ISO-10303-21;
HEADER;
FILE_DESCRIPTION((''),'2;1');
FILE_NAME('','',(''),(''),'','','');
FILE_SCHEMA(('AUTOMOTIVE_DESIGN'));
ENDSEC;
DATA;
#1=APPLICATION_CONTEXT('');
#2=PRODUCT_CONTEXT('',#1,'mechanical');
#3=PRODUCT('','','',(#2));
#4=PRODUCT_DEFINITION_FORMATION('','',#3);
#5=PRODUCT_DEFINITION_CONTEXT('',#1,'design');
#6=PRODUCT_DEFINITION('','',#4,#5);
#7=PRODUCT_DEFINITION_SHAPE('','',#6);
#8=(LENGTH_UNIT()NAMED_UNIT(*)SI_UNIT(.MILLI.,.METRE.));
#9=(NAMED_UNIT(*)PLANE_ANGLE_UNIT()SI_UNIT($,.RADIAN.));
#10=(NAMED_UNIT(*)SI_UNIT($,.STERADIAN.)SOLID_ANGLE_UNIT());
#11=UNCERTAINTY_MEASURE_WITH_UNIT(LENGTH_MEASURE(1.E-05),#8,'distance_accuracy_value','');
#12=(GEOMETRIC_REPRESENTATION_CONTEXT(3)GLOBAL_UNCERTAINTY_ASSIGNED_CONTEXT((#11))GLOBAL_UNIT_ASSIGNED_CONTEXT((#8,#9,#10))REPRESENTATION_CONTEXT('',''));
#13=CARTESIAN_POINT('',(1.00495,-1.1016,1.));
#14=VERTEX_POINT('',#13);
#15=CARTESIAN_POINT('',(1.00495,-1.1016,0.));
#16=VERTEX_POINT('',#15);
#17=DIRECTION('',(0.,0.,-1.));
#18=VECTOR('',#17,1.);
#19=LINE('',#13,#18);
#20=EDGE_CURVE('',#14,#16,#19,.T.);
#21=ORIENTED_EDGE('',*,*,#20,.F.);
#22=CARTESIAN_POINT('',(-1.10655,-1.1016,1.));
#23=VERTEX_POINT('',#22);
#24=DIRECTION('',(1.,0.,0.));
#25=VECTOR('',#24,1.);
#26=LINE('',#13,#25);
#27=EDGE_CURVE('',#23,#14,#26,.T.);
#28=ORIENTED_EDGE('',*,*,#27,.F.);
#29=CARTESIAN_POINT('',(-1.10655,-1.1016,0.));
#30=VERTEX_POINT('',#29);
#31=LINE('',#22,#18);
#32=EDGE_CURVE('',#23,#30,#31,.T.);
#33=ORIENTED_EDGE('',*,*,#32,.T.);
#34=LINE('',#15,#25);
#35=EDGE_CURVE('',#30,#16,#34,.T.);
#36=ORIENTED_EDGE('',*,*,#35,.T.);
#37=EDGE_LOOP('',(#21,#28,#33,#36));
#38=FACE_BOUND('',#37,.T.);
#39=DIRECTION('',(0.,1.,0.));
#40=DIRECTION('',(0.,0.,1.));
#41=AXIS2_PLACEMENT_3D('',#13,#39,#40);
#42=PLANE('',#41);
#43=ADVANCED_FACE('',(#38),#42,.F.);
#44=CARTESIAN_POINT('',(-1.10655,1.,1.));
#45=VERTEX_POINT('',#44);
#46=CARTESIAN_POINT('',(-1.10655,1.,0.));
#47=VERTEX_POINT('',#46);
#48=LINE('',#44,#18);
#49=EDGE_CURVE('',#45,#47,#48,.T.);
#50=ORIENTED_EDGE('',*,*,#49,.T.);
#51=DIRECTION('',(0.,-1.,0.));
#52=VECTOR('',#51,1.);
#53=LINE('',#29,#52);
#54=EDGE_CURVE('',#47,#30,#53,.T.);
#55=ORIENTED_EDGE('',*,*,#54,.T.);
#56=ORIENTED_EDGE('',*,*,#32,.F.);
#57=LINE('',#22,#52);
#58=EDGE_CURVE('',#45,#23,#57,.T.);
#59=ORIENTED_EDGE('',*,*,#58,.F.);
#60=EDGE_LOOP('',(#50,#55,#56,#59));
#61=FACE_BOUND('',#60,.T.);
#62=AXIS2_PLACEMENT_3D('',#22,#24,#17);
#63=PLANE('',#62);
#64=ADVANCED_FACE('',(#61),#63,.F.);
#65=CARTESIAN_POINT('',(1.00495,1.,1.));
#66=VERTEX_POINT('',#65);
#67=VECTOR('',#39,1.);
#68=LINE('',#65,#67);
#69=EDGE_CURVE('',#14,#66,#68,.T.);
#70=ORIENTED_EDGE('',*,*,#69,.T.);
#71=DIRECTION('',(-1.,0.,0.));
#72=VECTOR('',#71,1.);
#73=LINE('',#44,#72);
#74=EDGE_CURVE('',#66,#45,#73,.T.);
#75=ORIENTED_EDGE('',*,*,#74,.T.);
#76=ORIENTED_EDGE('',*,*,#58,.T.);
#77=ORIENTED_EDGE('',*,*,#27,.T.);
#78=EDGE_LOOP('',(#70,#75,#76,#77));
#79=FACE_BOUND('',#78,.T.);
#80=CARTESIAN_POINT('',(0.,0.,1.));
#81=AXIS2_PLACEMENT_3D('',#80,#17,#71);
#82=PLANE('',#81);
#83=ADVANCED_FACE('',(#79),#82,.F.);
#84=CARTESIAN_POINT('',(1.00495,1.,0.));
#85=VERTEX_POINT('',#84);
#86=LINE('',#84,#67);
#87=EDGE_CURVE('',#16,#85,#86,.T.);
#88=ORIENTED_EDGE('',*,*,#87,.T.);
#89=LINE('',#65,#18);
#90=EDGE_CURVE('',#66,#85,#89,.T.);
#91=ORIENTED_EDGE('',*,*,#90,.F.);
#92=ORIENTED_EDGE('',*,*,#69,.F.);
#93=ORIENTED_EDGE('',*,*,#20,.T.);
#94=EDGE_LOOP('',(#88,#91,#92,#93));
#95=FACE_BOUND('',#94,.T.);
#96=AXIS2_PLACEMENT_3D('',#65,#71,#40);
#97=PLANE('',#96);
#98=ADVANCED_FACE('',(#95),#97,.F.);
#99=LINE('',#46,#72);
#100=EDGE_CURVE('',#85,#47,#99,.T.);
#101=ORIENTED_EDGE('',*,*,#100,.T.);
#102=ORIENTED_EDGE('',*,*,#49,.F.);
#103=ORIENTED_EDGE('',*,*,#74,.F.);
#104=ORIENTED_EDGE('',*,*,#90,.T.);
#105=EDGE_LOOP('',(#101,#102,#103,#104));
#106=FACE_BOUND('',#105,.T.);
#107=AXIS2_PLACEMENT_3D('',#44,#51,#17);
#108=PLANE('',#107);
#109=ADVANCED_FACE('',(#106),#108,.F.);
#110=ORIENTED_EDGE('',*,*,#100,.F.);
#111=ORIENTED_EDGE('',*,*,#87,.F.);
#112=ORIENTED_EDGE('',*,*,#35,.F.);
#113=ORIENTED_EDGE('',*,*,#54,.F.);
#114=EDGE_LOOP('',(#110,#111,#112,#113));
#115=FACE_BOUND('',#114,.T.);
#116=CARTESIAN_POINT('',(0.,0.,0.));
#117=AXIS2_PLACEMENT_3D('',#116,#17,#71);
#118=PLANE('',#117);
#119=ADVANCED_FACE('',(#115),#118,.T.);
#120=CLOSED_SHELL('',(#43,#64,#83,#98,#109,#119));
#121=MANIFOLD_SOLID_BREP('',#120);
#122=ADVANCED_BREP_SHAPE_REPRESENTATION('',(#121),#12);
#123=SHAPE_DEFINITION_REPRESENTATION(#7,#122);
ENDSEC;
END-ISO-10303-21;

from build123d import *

# Parameters (mm, degrees)
SKETCH1_W               = 2.1115
SKETCH1_H               = 2.1016
COMPONENT_OUTLINE_DEPTH = 1


with BuildPart() as part:
    # Sketch1 → Component_Outline (new body)
    with BuildSketch(Plane.XY):
        with Locations((-0.0508, -0.0508)):
            Rectangle(SKETCH1_W, SKETCH1_H)
    extrude(amount=COMPONENT_OUTLINE_DEPTH)


solid = part.part
